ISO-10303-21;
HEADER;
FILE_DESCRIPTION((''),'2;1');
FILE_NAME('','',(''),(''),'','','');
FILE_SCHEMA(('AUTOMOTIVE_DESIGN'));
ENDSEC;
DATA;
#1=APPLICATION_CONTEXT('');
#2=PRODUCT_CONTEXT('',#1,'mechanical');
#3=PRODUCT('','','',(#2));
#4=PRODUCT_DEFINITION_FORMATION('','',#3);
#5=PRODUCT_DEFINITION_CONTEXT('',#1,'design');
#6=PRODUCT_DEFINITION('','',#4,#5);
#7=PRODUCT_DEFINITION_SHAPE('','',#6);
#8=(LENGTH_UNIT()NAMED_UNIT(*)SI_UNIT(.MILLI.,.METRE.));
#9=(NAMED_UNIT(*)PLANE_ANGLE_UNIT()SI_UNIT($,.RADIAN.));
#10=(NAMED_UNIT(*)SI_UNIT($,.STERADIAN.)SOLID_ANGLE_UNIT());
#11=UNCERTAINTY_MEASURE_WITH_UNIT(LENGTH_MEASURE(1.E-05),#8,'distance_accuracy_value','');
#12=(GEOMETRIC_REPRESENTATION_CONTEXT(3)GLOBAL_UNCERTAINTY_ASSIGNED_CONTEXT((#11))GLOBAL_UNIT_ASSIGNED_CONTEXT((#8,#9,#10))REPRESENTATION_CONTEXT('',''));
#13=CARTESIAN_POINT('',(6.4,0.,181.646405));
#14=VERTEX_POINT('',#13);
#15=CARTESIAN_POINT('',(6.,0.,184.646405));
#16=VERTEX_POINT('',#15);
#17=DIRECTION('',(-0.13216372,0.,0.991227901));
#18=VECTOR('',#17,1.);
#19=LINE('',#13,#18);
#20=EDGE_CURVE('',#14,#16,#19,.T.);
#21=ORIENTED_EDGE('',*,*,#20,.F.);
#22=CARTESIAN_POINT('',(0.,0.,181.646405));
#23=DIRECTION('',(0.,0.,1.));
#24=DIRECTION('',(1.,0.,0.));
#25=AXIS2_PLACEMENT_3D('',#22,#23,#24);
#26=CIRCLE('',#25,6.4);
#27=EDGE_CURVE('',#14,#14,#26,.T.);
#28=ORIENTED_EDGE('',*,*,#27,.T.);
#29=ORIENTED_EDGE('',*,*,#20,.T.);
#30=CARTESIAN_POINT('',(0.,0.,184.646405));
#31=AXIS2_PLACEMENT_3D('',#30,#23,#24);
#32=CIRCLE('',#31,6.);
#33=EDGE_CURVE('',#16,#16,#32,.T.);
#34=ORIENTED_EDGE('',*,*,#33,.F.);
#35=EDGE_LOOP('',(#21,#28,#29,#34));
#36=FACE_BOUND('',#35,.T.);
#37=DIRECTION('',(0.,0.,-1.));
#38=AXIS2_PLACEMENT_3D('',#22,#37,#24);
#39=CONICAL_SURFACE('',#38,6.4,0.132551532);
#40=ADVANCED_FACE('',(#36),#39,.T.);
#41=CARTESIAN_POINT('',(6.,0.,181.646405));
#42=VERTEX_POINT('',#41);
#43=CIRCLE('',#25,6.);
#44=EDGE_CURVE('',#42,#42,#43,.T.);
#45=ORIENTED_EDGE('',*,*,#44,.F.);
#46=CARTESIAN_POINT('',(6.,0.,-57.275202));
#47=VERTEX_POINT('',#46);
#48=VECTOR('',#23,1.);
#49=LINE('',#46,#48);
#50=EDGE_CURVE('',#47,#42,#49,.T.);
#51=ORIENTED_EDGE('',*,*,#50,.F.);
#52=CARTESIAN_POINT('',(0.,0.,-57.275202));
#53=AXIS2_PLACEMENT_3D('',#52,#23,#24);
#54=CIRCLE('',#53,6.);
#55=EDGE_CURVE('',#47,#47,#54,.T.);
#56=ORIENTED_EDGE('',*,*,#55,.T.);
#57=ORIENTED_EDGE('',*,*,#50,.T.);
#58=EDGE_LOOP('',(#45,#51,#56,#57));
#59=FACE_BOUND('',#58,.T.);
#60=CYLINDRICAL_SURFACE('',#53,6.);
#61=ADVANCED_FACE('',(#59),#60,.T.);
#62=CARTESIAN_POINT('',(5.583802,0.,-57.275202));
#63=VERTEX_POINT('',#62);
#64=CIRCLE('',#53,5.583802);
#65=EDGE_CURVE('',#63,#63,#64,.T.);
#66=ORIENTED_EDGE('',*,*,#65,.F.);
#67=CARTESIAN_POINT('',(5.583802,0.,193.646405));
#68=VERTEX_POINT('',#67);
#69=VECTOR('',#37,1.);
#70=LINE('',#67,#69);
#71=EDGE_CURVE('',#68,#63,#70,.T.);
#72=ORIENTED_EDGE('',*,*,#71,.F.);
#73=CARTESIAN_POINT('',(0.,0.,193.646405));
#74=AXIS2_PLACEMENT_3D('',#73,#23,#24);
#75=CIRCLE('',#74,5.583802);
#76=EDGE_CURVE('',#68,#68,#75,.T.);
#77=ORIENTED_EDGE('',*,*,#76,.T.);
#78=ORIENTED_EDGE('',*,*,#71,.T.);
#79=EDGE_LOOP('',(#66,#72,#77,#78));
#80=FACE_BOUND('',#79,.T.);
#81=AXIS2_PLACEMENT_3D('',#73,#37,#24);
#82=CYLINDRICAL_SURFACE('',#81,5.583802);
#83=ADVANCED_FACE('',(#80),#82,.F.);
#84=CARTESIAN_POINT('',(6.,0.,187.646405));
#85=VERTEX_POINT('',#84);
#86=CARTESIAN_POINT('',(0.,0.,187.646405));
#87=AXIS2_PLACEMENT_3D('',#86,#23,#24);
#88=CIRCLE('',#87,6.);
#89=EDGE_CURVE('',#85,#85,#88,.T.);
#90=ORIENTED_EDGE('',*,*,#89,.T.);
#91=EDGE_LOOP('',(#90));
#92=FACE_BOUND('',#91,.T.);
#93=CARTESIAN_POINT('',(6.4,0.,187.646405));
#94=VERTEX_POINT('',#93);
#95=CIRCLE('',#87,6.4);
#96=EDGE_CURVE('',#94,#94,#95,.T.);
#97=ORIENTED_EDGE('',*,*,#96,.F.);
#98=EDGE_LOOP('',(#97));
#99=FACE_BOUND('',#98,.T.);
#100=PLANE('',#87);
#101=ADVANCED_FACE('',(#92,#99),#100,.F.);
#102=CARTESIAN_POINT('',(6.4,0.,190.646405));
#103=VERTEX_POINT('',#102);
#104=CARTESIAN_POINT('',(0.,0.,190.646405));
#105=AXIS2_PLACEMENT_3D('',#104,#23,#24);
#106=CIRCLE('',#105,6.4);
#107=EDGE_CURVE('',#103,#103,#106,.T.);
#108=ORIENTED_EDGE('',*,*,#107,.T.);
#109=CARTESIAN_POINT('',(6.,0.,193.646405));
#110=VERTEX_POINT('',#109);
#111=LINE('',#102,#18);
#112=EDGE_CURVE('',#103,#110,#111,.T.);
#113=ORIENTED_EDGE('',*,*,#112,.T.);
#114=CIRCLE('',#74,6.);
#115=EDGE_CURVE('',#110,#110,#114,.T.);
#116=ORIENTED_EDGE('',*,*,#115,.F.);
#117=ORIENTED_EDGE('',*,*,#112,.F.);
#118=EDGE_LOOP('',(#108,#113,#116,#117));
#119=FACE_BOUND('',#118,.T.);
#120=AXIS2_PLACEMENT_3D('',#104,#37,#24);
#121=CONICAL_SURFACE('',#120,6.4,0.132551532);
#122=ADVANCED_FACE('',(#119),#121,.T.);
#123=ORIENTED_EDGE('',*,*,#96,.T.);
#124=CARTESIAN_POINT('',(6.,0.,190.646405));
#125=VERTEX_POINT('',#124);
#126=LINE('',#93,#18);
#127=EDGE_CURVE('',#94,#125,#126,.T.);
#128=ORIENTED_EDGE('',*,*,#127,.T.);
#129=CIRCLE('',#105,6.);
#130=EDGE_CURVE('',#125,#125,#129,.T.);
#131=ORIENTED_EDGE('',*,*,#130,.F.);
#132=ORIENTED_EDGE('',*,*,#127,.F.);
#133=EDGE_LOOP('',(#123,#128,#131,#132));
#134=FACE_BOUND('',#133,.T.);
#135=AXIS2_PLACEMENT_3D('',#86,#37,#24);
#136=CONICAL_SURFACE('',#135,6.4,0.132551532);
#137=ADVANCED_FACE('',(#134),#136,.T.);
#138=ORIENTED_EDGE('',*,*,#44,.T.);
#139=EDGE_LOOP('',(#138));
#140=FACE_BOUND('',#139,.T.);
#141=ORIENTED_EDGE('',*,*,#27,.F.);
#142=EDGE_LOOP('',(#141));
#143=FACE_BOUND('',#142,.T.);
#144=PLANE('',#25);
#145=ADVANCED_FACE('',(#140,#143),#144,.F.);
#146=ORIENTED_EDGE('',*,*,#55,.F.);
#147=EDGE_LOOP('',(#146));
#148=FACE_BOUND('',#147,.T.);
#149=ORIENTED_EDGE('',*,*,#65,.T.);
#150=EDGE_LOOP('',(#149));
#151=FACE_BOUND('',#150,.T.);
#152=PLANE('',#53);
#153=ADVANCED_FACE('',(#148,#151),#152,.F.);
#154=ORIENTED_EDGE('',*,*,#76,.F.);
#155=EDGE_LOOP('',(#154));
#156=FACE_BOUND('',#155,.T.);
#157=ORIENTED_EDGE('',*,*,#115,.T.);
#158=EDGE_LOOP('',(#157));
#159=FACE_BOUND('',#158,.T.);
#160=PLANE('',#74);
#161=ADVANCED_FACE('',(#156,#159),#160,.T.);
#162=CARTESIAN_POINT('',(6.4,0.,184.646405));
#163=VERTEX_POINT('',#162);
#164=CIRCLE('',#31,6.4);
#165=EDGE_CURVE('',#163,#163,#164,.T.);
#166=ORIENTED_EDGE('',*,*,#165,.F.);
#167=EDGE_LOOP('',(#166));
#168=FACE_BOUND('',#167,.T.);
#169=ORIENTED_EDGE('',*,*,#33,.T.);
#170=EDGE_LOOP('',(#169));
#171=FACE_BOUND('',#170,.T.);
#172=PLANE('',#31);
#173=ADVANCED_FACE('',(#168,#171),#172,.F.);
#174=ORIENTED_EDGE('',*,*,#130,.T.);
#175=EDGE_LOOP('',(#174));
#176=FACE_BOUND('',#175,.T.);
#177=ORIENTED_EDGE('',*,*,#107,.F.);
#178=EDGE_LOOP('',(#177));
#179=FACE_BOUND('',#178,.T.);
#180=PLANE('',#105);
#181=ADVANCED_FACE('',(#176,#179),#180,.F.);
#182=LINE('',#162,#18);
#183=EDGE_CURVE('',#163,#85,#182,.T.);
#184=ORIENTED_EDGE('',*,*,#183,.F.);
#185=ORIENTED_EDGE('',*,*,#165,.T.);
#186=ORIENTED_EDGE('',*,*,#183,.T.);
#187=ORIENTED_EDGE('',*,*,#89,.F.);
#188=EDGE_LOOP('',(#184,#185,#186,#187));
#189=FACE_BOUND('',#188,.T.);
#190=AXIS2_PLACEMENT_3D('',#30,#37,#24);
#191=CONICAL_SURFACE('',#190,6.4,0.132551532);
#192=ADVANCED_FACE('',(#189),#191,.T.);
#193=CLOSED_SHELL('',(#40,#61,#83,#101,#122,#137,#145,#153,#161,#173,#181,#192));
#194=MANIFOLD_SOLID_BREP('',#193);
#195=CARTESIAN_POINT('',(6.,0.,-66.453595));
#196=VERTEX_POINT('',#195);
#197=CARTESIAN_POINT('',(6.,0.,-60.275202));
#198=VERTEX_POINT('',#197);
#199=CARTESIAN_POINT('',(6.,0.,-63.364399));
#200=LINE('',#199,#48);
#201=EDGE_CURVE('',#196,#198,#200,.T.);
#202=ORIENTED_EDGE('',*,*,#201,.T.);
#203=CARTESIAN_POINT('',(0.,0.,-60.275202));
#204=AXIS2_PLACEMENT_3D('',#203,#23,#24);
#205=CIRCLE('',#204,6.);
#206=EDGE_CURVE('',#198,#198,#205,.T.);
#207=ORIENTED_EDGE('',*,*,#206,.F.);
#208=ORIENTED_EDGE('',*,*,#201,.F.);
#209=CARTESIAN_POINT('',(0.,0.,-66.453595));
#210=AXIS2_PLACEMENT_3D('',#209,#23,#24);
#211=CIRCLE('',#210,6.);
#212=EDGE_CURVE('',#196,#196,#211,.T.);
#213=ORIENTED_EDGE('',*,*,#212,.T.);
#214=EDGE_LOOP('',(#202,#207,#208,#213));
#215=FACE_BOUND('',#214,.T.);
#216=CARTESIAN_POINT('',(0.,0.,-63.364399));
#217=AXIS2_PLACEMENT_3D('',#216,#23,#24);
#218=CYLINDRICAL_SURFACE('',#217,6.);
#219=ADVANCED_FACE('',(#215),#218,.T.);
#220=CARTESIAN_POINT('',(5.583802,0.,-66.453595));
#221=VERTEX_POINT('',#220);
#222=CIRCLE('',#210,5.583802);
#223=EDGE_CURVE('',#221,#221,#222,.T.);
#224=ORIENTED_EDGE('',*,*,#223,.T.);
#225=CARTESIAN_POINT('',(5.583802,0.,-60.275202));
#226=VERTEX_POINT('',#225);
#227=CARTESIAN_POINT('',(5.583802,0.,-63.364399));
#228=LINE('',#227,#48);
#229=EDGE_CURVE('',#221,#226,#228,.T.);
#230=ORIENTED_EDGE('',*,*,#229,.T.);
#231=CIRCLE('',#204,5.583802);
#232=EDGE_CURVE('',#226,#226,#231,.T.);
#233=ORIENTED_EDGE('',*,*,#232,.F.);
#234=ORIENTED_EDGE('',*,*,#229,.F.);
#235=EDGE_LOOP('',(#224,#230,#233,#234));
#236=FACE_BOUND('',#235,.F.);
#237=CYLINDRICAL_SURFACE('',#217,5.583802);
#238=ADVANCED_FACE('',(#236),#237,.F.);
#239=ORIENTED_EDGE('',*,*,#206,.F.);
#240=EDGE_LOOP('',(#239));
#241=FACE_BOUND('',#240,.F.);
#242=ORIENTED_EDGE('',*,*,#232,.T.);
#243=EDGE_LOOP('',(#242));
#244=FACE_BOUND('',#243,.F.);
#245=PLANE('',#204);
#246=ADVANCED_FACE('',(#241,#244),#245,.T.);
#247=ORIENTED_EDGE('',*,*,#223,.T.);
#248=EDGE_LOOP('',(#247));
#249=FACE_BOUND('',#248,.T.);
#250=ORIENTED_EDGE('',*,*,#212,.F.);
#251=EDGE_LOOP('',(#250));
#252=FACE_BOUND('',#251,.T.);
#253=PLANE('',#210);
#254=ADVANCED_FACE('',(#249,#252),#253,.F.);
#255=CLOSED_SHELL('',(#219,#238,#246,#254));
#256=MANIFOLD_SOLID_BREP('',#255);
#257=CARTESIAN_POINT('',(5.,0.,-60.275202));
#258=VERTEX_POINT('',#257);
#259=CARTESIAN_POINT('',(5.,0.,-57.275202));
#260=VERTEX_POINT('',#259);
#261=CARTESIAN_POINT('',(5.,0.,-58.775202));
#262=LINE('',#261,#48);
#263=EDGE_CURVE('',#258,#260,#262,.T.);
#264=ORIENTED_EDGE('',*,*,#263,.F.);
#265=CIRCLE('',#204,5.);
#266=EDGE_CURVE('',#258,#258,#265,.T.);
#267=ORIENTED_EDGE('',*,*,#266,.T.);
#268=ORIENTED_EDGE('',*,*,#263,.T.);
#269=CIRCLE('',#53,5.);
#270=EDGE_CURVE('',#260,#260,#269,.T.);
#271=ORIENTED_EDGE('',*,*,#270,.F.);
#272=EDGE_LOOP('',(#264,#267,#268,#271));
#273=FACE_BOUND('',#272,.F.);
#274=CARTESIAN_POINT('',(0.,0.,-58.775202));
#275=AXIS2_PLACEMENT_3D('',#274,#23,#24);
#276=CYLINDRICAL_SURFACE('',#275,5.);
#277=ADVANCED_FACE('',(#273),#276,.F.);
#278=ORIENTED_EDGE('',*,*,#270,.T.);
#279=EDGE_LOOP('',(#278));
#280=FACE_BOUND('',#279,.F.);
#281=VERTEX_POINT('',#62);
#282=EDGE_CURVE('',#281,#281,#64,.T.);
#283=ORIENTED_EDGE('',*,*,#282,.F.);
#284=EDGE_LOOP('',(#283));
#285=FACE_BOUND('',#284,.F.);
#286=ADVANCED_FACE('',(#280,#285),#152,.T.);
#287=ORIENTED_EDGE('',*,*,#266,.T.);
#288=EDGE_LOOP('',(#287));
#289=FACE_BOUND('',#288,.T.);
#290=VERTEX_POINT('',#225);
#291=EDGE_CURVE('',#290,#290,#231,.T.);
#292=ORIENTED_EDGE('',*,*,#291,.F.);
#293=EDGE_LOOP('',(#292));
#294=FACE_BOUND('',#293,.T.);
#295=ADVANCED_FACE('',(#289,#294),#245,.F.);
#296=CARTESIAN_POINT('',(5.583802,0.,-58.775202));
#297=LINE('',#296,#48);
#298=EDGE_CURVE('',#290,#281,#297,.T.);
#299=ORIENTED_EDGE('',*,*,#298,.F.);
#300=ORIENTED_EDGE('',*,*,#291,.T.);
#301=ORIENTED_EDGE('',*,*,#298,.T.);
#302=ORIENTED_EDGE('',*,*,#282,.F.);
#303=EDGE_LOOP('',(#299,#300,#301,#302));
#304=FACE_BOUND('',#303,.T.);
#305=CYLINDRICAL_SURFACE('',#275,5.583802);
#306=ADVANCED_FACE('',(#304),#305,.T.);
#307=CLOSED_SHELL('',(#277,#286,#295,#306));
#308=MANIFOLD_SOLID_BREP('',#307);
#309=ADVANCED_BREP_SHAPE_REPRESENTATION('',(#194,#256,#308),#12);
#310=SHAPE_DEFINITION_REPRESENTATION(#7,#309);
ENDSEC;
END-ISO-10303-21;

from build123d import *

# Parameters (mm, degrees)
F0_W   = 0.4161982276
F0_H   = 6.1783934414
F0_W_2 = 0.5838017724
F0_H_2 = 3


with BuildPart() as f1:
    # F0 (on Front) → F1 (revolve)
    with BuildSketch(Plane.XZ):
        with Locations((5.7919008862, -63.3643986553)):
            Rectangle(F0_W, F0_H)
    revolve(axis=Axis((0, 0, 63.7747980654), (0, 0, 1)))


with BuildPart() as f1b:
    # F0 (on Front) → F1, piece 2 (revolve)
    with BuildSketch(Plane.XZ):
        Polygon((5.5838017724, 193.646404624), (5.5838017724, -57.2752019346), (6, -57.2752019346), (6, 181.646404624), (6, 184.646404624), (6, 187.646404624), (6, 190.646404624), (6, 193.646404624), align=None)
        Polygon((6, 184.646404624), (6, 181.646404624), (6.4, 181.646404624), align=None)
        Polygon((6.4, 190.646404624), (6, 193.646404624), (6, 190.646404624), align=None)
        Polygon((6, 187.646404624), (6, 184.646404624), (6.4, 184.646404624), align=None)
        Polygon((6.4, 187.646404624), (6, 190.646404624), (6, 187.646404624), align=None)
    revolve(axis=Axis((0, 0, 63.7747980654), (0, 0, 1)))


with BuildPart() as f1c:
    # F0 (on Front) → F1, piece 3 (revolve)
    with BuildSketch(Plane.XZ):
        with Locations((5.2919008862, -58.7752019346)):
            Rectangle(F0_W_2, F0_H_2)
    revolve(axis=Axis((0, 0, 63.7747980654), (0, 0, 1)))


solid = Compound([f1.part, f1b.part, f1c.part])
